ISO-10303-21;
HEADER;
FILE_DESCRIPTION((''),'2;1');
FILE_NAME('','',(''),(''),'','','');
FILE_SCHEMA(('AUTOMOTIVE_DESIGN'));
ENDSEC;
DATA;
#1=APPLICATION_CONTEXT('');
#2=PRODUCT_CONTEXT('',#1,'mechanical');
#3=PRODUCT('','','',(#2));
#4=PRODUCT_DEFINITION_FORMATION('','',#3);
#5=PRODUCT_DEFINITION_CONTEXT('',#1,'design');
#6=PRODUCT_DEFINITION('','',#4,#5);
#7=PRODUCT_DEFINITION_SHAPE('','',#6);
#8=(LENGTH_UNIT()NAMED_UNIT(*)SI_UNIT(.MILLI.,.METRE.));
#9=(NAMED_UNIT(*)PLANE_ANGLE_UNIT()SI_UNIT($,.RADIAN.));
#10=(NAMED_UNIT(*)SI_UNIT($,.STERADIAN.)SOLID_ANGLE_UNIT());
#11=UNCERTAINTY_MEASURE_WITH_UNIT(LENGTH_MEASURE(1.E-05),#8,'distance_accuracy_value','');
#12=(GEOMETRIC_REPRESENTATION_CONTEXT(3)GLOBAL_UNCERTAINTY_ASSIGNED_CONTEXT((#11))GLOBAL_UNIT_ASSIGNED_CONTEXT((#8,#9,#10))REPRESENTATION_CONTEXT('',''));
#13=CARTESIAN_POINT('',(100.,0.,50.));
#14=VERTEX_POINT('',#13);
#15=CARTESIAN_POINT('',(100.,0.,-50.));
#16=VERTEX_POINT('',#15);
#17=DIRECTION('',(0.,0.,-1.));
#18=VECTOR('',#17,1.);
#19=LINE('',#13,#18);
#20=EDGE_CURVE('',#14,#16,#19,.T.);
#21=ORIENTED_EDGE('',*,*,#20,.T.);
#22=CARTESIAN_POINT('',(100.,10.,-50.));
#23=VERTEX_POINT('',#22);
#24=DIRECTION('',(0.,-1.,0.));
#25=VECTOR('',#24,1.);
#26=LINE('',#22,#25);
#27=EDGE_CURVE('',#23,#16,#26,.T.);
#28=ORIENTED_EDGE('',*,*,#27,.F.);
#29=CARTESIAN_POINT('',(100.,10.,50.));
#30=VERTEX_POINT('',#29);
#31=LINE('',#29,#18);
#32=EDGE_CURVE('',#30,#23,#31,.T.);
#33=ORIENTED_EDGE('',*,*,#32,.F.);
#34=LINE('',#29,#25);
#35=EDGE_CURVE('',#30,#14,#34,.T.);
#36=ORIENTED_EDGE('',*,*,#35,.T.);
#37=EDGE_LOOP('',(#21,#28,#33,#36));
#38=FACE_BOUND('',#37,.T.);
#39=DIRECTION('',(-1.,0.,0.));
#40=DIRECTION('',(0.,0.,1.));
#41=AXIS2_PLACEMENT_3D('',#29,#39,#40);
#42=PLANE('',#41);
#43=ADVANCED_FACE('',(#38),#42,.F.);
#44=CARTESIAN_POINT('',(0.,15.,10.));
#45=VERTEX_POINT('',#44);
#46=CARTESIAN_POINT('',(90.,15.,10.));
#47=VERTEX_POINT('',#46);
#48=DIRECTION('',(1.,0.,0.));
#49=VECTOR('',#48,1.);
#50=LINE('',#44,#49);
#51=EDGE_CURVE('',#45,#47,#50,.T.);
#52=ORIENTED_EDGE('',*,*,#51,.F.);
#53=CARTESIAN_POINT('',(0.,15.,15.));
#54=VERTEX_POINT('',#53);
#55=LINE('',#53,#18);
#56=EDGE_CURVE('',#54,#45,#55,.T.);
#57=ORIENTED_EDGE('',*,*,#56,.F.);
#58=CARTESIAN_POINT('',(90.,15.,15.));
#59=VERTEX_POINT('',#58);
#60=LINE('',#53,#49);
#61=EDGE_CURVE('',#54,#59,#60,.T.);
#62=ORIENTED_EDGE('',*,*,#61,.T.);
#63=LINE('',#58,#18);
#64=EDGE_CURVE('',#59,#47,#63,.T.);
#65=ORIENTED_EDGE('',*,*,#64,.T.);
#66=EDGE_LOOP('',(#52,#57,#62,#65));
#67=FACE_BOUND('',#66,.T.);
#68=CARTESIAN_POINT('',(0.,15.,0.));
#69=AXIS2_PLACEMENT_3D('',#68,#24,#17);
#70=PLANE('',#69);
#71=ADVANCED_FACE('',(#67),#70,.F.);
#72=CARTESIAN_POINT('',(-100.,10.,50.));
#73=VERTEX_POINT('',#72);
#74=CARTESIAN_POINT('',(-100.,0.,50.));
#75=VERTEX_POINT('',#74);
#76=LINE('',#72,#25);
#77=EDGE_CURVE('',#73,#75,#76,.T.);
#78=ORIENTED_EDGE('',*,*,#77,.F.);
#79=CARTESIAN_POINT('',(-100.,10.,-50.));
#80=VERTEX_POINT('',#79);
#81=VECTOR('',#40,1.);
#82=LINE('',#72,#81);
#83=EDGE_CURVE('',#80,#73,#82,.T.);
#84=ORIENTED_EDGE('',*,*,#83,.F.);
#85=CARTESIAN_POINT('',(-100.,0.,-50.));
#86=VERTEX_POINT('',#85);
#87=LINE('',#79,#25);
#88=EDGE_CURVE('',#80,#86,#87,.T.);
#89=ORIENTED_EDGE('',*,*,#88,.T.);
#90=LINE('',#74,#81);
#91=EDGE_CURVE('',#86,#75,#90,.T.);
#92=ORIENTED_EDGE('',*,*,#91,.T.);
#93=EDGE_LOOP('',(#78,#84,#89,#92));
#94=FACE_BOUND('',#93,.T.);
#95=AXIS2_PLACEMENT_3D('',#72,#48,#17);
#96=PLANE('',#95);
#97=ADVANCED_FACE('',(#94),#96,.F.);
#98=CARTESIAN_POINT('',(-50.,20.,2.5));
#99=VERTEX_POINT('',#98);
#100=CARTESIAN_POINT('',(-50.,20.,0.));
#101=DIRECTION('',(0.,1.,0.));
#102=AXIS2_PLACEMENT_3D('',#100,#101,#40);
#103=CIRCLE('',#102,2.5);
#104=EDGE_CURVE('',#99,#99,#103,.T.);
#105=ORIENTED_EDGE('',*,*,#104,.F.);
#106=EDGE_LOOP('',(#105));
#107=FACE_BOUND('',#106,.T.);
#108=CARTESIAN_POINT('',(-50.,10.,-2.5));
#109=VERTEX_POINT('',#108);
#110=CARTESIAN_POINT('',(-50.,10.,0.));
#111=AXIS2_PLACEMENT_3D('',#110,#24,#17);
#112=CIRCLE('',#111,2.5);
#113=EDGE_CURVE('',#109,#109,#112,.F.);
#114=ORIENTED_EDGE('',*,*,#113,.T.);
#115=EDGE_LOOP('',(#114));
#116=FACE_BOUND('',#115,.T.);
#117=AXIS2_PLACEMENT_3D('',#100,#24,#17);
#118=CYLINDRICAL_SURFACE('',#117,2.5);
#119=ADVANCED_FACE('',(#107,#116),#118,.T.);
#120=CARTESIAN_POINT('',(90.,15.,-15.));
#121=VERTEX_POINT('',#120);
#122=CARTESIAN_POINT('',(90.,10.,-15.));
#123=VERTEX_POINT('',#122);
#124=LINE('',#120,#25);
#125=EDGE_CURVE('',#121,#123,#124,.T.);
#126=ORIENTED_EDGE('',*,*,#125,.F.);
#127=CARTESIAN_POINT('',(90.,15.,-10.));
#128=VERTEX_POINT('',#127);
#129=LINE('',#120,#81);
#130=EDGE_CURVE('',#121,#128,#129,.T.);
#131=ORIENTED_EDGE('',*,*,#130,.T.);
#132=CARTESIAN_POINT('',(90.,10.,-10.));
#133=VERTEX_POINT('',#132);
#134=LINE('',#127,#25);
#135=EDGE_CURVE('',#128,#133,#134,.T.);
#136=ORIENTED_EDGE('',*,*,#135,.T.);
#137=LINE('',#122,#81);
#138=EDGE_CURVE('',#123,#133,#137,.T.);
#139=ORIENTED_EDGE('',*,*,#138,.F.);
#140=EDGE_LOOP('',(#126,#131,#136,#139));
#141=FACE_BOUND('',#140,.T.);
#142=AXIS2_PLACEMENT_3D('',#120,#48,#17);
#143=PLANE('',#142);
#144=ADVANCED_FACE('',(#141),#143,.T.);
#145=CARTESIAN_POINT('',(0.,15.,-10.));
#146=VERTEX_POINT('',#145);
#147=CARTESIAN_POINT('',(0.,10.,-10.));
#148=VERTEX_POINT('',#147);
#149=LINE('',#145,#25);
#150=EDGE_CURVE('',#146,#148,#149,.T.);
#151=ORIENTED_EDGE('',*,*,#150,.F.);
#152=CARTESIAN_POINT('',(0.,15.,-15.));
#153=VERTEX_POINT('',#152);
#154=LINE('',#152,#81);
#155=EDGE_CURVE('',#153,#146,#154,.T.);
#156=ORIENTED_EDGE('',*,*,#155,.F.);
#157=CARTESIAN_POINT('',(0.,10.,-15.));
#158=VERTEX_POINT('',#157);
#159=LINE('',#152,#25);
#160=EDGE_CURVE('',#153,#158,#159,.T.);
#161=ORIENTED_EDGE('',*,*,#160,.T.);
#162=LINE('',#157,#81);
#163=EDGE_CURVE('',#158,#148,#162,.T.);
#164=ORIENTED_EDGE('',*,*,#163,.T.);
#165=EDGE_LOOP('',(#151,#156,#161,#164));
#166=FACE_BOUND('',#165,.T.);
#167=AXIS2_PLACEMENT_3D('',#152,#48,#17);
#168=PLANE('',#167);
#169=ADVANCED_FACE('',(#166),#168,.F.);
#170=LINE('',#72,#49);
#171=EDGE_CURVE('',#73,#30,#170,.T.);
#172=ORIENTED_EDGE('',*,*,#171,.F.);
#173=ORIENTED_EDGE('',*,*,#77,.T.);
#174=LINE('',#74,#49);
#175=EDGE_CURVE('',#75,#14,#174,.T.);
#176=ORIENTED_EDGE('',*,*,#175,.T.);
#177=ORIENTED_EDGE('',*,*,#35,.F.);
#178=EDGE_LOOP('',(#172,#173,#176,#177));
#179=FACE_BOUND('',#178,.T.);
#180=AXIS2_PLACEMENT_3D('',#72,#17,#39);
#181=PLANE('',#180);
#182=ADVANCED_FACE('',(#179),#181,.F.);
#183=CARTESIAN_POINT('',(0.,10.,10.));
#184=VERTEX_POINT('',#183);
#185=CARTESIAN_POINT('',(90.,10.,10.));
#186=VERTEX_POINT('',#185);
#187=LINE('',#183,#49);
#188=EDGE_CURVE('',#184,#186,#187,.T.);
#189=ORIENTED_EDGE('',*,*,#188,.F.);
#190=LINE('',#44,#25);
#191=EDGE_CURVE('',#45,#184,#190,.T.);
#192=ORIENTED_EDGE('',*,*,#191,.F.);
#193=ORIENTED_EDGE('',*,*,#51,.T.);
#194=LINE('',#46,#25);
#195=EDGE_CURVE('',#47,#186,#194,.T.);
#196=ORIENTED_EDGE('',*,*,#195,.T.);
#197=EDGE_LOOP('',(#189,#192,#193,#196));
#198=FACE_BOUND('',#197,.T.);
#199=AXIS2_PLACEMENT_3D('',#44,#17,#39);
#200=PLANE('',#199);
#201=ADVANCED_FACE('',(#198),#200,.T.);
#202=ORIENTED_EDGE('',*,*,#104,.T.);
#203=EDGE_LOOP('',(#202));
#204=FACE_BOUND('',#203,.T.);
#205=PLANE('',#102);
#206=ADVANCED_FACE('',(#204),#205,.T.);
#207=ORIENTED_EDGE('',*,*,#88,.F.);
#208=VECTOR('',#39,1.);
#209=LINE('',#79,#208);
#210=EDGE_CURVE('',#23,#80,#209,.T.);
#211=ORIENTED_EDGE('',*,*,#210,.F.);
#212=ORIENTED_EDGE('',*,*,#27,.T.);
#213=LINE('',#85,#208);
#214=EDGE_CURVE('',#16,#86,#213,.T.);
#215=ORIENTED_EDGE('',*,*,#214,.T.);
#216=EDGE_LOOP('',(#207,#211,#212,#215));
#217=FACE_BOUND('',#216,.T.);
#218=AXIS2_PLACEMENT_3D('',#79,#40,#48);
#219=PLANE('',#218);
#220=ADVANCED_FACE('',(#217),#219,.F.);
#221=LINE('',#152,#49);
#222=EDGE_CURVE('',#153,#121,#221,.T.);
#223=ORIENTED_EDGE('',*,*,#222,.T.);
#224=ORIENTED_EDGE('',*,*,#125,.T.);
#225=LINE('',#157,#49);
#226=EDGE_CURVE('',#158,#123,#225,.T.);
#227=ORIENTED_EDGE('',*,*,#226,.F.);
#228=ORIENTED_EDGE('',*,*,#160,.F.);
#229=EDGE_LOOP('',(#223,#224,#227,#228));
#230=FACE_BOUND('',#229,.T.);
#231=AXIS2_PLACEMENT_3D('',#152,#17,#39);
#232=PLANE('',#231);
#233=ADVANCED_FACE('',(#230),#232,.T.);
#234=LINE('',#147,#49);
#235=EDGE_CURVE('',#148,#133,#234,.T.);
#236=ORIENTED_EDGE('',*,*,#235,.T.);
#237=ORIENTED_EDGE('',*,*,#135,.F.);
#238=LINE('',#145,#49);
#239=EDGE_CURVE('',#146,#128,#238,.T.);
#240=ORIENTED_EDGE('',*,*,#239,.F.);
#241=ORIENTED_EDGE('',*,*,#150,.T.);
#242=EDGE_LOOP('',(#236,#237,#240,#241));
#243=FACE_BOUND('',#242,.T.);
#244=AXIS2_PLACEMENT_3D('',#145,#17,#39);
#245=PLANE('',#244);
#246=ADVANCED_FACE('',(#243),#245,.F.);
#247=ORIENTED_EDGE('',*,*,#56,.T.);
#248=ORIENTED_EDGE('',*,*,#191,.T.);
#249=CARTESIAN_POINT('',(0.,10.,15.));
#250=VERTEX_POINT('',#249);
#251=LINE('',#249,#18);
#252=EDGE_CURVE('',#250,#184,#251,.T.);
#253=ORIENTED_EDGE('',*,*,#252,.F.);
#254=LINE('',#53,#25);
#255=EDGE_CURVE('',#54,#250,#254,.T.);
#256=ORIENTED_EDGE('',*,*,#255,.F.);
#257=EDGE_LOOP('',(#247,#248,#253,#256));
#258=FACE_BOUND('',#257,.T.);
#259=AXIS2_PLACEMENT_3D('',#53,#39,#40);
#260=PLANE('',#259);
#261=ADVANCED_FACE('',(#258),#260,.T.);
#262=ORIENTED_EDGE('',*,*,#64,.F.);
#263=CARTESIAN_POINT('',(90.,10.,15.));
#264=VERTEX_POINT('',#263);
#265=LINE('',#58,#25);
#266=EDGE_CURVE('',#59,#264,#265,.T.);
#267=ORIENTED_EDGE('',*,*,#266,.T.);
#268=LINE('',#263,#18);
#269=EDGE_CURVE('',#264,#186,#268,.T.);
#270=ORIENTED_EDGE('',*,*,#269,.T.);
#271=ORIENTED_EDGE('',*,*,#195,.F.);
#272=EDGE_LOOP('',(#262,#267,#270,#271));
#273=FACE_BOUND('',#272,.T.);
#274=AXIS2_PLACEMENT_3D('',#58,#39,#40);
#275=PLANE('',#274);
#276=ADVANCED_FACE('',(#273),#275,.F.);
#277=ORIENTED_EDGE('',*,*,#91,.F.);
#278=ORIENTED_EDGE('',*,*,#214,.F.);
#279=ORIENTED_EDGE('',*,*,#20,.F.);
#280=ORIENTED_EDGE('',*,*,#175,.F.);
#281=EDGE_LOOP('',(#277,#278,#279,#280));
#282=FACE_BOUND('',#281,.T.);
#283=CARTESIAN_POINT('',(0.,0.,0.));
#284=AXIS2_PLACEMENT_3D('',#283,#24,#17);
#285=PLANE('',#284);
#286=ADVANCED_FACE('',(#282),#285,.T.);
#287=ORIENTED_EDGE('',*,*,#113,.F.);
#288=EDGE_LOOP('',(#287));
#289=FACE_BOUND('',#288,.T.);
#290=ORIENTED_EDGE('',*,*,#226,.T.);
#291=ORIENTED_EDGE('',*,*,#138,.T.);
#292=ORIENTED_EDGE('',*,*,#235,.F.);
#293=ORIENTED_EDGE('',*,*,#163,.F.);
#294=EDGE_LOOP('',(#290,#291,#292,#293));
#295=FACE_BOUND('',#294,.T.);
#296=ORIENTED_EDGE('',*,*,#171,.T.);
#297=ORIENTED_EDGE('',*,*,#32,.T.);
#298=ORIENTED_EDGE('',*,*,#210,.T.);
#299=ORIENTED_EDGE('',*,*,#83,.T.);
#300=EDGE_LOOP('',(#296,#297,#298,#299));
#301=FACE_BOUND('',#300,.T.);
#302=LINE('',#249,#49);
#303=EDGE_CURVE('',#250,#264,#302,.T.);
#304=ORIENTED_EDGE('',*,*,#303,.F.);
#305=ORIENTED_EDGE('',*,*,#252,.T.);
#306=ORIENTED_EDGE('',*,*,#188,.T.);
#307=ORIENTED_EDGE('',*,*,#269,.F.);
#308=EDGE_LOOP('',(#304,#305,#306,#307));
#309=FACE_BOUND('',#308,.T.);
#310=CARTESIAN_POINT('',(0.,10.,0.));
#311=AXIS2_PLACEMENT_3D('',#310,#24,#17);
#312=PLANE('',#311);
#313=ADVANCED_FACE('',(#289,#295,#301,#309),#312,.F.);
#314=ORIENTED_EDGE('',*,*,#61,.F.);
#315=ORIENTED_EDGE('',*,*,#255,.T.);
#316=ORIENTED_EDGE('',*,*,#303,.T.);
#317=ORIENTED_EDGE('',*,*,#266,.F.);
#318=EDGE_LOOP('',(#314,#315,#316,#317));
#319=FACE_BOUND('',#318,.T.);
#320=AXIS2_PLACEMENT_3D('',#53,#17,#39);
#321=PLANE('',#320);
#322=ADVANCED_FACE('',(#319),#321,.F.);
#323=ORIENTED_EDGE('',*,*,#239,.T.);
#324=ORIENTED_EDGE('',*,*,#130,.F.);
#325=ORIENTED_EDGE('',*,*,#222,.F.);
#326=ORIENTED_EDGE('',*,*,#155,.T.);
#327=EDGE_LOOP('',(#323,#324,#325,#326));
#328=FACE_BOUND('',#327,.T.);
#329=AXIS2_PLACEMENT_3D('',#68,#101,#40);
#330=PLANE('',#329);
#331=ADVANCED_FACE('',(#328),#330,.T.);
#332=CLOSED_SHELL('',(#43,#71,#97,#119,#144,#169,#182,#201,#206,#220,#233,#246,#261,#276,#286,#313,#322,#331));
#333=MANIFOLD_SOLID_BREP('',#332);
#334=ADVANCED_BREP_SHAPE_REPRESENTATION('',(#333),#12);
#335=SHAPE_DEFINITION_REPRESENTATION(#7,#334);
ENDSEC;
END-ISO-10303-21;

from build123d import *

# Parameters (mm, degrees)
SKETCH1_W           = 200
SKETCH1_H           = 100
BOSS_EXTRUDE1_DEPTH = 10
SKETCH2_W           = 90
SKETCH2_H           = 5
BOSS_EXTRUDE2_DEPTH = 5
SKETCH2_3_R         = 2.5
BOSS_EXTRUDE3_DEPTH = 10


with BuildPart() as part:
    # Sketch1 → Boss-Extrude1 (new body)
    with BuildSketch(Plane(origin=(0, 0, 0), x_dir=(1, 0, 0), z_dir=(0, 1, 0))):
        Rectangle(SKETCH1_W, SKETCH1_H)
    extrude(amount=BOSS_EXTRUDE1_DEPTH)

    # Sketch2 → Boss-Extrude2 (add)
    with BuildSketch(Plane(origin=(0, 10, 0), x_dir=(1, 0, 0), z_dir=(0, 1, 0))):
        with Locations((45, 12.5)):
            Rectangle(SKETCH2_W, SKETCH2_H)
        with Locations((45, -12.5)):
            Rectangle(SKETCH2_W, SKETCH2_H)
    extrude(amount=BOSS_EXTRUDE2_DEPTH)

    # Sketch2<3> → Boss-Extrude3 (add)
    with BuildSketch(Plane(origin=(0, 10, 0), x_dir=(1, 0, 0), z_dir=(0, 1, 0))):
        with Locations((-50, 0)):
            Circle(SKETCH2_3_R)
    extrude(amount=BOSS_EXTRUDE3_DEPTH)


solid = part.part
